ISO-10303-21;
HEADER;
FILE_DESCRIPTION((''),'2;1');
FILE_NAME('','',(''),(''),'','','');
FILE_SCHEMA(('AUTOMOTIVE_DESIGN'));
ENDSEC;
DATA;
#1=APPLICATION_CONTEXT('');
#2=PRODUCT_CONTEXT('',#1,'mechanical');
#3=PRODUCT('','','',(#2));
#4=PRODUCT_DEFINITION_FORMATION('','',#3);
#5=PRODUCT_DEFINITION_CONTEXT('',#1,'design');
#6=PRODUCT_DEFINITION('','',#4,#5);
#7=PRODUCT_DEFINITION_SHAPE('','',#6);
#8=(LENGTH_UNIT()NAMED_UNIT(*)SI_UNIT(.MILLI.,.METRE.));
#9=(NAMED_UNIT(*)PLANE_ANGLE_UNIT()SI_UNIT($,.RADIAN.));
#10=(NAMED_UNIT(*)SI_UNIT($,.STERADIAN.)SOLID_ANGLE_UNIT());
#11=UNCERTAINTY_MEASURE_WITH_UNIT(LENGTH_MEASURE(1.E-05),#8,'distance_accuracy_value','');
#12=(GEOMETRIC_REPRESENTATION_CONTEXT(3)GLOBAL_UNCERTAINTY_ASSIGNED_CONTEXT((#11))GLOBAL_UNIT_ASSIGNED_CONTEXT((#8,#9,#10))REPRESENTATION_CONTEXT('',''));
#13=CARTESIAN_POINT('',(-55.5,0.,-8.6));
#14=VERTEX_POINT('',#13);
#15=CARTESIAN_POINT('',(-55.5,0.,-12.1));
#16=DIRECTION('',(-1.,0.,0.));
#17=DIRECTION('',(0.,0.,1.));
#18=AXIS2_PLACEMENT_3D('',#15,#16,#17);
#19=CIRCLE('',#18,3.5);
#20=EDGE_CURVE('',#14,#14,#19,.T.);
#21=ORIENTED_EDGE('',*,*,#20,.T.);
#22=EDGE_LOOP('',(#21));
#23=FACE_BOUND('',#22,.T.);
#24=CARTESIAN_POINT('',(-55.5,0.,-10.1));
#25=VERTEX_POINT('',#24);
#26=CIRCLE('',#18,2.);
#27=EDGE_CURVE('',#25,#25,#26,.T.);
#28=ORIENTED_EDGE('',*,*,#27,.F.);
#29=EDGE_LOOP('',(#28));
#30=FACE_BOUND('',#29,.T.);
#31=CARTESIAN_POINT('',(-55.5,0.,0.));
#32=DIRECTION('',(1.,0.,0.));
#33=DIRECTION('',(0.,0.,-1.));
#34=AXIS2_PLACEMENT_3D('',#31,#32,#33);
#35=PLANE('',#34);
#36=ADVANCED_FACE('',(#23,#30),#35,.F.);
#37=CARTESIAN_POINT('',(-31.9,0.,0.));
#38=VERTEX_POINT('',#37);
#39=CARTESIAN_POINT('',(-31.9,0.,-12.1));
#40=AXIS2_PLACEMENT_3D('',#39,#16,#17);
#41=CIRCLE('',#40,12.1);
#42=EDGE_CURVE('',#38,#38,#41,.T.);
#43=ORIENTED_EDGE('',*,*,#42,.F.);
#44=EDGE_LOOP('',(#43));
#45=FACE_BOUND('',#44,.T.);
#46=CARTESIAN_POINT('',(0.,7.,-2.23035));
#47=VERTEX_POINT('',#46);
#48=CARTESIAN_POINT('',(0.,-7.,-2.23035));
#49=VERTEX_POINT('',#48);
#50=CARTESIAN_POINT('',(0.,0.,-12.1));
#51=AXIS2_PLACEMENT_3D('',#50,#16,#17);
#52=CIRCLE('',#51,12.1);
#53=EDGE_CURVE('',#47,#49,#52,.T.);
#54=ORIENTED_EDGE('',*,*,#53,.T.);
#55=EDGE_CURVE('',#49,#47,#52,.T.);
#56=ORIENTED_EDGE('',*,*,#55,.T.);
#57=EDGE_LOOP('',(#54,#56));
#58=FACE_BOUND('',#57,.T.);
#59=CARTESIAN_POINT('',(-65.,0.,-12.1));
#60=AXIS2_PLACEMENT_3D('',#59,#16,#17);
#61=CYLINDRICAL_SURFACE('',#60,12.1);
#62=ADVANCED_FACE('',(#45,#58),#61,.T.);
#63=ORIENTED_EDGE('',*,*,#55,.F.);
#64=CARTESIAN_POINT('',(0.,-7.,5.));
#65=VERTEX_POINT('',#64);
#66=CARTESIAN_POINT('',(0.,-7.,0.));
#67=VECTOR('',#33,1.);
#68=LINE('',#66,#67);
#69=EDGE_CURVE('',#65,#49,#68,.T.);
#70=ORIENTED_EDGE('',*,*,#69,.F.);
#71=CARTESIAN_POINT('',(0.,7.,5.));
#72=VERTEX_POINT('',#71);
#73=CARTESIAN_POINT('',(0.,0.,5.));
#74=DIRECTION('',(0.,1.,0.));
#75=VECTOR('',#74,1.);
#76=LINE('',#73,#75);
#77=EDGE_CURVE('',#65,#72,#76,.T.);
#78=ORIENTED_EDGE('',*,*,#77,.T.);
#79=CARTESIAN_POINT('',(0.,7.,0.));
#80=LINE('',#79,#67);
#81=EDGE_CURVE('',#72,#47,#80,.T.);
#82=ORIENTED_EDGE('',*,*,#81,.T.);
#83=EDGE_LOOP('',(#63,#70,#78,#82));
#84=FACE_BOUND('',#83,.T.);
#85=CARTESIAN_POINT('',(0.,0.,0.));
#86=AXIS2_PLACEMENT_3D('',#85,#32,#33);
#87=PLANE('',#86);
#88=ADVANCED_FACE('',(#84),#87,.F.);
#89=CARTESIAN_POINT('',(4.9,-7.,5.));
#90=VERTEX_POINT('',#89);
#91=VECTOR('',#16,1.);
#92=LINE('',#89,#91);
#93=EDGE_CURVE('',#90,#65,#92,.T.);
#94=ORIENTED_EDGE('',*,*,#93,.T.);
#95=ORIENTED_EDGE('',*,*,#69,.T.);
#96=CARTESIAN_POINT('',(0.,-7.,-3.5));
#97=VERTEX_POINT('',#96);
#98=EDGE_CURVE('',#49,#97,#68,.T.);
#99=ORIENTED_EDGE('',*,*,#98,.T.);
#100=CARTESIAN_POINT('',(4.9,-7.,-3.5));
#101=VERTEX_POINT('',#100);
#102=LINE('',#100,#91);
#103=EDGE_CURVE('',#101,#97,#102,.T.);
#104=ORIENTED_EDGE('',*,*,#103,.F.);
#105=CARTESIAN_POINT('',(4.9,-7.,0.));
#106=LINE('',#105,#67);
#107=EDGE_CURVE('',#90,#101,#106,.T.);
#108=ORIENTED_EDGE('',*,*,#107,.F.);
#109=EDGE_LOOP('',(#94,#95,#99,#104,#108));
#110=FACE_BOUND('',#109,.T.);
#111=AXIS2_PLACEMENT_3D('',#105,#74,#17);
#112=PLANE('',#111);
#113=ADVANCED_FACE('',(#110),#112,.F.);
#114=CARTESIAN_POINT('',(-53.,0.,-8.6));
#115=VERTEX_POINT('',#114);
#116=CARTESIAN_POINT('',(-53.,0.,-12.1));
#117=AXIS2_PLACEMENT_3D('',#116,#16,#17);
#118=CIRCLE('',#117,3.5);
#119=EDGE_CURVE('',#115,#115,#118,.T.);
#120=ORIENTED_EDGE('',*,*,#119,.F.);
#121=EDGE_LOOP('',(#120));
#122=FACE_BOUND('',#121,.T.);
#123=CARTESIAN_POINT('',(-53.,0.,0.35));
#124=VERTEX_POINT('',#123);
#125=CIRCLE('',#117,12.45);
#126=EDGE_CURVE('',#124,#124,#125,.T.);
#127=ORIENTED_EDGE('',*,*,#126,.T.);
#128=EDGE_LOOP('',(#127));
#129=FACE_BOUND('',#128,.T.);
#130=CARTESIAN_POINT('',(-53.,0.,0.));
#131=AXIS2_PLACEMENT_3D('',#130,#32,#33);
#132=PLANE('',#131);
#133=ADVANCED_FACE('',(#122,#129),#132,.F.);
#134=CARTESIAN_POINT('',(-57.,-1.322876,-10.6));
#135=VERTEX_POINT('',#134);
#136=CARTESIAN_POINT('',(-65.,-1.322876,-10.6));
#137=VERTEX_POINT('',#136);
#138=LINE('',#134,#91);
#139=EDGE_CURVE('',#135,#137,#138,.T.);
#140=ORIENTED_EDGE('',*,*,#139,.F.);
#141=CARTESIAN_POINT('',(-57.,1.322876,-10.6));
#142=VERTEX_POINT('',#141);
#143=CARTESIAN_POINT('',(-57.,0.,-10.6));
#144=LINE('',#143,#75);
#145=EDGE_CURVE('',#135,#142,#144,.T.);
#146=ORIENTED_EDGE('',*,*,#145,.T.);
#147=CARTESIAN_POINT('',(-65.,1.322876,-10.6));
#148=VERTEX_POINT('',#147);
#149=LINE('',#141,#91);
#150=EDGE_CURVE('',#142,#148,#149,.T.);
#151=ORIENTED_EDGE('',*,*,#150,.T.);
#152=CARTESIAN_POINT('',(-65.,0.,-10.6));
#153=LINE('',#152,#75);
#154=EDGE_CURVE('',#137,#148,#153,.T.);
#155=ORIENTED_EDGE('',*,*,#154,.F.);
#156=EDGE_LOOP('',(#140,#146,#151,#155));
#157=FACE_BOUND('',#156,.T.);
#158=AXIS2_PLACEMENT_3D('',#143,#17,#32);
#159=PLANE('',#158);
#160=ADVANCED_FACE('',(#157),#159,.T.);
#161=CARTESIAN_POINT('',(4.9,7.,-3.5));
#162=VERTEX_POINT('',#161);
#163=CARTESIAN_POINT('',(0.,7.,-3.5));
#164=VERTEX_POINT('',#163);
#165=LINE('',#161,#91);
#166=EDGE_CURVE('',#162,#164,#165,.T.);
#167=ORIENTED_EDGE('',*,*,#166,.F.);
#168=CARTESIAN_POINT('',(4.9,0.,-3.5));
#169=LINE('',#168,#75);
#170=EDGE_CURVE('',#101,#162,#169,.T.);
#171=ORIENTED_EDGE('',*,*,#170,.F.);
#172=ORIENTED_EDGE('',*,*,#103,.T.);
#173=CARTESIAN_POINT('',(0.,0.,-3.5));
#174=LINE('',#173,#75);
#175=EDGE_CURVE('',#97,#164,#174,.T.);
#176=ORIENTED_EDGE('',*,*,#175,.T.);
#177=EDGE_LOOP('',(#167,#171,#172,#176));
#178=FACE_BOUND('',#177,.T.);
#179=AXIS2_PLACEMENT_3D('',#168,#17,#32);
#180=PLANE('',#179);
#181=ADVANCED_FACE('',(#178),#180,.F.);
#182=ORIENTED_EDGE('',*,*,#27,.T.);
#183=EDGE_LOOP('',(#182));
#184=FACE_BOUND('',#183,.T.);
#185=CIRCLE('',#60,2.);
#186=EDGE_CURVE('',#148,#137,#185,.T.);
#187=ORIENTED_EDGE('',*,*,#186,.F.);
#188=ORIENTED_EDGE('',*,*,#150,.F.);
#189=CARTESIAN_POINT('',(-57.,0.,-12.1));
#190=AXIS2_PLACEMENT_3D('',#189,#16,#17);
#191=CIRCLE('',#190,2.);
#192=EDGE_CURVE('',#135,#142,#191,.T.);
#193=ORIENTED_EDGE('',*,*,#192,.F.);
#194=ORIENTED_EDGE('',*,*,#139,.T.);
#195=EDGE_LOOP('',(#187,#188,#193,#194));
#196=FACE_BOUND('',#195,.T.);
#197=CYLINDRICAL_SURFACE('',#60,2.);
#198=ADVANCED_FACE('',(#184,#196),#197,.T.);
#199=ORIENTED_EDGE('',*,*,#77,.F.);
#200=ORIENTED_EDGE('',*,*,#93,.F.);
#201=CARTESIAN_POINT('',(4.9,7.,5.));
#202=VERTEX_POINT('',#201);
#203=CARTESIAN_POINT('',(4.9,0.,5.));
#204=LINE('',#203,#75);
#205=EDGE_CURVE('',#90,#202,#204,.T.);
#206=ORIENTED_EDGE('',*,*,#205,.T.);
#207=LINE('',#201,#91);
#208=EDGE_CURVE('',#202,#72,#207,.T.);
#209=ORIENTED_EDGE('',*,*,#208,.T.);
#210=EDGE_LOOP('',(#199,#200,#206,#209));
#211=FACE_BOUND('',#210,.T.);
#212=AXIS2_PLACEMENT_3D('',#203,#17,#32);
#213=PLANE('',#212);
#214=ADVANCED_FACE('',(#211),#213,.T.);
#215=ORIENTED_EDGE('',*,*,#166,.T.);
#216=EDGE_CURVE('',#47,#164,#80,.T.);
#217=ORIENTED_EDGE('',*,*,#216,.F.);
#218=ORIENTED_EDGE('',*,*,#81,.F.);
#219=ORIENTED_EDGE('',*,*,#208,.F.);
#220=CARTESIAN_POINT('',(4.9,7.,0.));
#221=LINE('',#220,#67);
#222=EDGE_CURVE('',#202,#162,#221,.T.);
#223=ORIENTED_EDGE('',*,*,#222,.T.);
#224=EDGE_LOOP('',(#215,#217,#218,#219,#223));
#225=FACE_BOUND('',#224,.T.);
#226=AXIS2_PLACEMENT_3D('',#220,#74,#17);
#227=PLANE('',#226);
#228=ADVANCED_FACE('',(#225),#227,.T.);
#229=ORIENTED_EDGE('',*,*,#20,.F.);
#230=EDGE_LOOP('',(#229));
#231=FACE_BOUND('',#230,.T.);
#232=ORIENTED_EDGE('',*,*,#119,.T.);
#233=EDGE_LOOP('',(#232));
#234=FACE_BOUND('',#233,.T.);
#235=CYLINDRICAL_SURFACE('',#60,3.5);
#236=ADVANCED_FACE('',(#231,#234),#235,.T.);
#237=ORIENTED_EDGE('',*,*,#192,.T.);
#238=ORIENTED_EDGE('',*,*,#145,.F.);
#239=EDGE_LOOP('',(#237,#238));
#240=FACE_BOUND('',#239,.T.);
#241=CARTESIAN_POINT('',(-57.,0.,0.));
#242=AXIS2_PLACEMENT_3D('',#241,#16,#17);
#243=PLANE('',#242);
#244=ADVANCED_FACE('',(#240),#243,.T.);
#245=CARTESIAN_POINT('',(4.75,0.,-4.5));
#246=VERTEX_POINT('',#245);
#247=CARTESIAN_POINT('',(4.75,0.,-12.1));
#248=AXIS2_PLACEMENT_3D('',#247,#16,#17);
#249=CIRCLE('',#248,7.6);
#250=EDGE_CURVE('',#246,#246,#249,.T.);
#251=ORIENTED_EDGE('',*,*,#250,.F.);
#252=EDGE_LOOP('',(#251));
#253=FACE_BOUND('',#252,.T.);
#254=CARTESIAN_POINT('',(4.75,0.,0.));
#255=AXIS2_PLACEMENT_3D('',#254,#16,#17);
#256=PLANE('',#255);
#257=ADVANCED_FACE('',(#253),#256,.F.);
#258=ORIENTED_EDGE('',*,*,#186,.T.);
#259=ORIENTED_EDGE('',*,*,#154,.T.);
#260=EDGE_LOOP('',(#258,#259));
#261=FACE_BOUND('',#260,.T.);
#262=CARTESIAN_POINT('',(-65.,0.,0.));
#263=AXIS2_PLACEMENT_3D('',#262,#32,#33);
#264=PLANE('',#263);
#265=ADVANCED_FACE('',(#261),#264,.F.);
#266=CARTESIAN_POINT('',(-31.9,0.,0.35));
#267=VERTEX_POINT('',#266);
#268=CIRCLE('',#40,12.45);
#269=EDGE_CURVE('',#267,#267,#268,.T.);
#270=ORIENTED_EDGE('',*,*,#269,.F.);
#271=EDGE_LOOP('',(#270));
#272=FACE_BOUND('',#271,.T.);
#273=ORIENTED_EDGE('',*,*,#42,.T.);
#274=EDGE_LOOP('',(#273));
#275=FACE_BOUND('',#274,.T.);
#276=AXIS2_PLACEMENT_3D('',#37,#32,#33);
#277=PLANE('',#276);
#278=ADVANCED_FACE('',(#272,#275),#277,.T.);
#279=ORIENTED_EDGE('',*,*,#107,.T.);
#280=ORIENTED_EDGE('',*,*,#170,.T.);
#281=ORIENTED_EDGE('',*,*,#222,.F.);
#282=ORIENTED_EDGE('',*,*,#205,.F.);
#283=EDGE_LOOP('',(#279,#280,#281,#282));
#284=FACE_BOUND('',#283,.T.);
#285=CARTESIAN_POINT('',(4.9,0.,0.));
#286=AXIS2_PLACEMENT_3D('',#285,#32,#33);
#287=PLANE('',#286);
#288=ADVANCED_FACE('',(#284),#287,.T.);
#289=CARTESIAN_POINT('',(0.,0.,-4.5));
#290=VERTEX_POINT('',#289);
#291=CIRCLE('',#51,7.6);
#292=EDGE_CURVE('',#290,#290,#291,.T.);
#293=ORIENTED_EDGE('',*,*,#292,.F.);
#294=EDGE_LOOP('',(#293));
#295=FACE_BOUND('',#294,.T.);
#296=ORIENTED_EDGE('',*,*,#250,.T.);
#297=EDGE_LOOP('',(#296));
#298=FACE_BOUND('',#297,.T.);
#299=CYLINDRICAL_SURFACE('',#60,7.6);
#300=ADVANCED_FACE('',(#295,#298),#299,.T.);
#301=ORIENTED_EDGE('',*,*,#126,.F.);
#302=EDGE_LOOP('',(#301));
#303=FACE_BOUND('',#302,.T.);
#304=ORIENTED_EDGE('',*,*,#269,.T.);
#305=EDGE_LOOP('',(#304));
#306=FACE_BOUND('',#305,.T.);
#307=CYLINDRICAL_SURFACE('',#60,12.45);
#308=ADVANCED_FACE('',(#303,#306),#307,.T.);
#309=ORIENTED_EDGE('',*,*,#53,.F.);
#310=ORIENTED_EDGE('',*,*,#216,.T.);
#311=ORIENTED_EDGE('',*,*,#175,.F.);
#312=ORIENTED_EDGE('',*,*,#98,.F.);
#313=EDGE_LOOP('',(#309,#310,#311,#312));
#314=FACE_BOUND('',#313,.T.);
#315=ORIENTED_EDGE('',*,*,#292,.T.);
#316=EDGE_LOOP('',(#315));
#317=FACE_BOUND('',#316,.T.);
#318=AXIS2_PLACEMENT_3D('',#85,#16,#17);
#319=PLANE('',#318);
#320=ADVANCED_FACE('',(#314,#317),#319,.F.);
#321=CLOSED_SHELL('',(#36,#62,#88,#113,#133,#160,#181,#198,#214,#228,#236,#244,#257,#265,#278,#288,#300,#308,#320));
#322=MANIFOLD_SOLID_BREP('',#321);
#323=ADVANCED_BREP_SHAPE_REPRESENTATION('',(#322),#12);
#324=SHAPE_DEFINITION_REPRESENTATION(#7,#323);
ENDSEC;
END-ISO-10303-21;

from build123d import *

# Parameters (mm, degrees)
CUT_EXTRUDE1_START  = -8
CUT_EXTRUDE1_DEPTH  = 8
SKETCH4_W           = 8.5
SKETCH4_H           = 14
BOSS_EXTRUDE1_DEPTH = 4.9


with BuildPart() as part:
    # Sketch1 → Revolve5 (revolve)
    with BuildSketch(Plane(origin=(0, 0, 0), x_dir=(1, 0, 0), z_dir=(0, 1, 0))):
        Polygon((4.75, 4.5), (4.75, 12.1), (-65, 12.1), (-65, 10.1), (-55.5, 10.1), (-55.5, 8.6), (-53, 8.6), (-53, -0.35), (-31.9, -0.35), (-31.9, 0), (0, 0), (0, 4.5), align=None)
    revolve(axis=Axis((-65, 0, -12.1), (1, 0, 0)))

    # Sketch2 → Cut-Extrude1 (cut)
    with BuildSketch(Plane.ZY.offset(65).offset(CUT_EXTRUDE1_START)):
        with BuildLine():
            ThreePointArc((-10.6, -1.322875656), (-10.1, 0), (-10.6, 1.322875656))
            Line((-10.6, 1.322875656), (-10.6, -1.322875656))
        make_face()
    extrude(amount=CUT_EXTRUDE1_DEPTH, mode=Mode.SUBTRACT)

    # Sketch4 → Boss-Extrude1 (add)
    with BuildSketch(Plane(origin=(0, 0, 0), x_dir=(0, 0, -1), z_dir=(1, 0, 0))):
        with Locations((-0.75, 0)):
            Rectangle(SKETCH4_W, SKETCH4_H)
    extrude(amount=BOSS_EXTRUDE1_DEPTH)


solid = part.part
